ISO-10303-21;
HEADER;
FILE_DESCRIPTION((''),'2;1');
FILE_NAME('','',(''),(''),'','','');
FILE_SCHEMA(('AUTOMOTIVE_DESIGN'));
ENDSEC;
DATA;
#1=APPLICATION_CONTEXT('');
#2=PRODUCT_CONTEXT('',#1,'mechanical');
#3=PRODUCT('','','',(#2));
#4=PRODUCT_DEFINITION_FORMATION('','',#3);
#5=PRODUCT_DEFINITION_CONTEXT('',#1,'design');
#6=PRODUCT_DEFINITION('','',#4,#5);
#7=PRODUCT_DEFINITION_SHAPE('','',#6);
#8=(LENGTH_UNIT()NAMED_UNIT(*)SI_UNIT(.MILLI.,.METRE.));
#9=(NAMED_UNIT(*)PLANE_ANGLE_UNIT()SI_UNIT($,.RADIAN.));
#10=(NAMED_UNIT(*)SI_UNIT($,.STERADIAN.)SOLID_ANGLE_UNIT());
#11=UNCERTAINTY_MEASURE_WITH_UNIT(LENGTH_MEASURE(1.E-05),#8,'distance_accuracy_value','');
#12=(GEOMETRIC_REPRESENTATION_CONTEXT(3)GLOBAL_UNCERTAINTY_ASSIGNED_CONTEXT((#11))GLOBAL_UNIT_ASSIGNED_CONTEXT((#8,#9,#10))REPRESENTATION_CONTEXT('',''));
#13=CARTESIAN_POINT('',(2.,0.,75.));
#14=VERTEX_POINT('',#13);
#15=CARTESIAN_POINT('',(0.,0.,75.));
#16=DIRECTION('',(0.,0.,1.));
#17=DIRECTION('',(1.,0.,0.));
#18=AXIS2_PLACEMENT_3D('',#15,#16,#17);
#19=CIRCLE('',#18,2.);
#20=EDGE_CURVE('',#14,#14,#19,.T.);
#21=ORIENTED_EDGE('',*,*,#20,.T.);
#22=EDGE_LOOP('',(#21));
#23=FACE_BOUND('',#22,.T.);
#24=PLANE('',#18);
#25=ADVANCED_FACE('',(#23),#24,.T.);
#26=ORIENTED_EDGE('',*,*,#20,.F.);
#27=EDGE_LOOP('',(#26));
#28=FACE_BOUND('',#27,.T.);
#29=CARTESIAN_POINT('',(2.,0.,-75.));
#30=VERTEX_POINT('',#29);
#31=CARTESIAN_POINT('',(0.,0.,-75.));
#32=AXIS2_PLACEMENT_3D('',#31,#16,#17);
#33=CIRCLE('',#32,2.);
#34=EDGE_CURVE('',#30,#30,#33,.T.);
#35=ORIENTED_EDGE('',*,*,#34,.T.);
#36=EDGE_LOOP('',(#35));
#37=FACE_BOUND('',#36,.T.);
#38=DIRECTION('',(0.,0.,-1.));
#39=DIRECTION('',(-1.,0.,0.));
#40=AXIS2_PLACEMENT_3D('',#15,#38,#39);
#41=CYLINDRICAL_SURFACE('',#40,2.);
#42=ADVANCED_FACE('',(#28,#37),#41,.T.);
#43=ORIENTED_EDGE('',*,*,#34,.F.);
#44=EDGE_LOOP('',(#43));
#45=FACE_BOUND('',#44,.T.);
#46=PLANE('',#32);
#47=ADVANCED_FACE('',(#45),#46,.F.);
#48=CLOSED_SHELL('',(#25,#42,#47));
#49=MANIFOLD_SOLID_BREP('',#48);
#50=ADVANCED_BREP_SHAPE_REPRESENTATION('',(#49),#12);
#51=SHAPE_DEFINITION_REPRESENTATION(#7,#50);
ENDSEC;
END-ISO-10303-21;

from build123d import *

# Parameters (mm, degrees)
SKETCH1_R           = 2
BOSS_EXTRUDE1_DEPTH = 75


with BuildPart() as part:
    # Sketch1 → Boss-Extrude1 (new body, symmetric)
    with BuildSketch(Plane.XY):
        Circle(SKETCH1_R)
    extrude(amount=BOSS_EXTRUDE1_DEPTH, both=True)


solid = part.part
